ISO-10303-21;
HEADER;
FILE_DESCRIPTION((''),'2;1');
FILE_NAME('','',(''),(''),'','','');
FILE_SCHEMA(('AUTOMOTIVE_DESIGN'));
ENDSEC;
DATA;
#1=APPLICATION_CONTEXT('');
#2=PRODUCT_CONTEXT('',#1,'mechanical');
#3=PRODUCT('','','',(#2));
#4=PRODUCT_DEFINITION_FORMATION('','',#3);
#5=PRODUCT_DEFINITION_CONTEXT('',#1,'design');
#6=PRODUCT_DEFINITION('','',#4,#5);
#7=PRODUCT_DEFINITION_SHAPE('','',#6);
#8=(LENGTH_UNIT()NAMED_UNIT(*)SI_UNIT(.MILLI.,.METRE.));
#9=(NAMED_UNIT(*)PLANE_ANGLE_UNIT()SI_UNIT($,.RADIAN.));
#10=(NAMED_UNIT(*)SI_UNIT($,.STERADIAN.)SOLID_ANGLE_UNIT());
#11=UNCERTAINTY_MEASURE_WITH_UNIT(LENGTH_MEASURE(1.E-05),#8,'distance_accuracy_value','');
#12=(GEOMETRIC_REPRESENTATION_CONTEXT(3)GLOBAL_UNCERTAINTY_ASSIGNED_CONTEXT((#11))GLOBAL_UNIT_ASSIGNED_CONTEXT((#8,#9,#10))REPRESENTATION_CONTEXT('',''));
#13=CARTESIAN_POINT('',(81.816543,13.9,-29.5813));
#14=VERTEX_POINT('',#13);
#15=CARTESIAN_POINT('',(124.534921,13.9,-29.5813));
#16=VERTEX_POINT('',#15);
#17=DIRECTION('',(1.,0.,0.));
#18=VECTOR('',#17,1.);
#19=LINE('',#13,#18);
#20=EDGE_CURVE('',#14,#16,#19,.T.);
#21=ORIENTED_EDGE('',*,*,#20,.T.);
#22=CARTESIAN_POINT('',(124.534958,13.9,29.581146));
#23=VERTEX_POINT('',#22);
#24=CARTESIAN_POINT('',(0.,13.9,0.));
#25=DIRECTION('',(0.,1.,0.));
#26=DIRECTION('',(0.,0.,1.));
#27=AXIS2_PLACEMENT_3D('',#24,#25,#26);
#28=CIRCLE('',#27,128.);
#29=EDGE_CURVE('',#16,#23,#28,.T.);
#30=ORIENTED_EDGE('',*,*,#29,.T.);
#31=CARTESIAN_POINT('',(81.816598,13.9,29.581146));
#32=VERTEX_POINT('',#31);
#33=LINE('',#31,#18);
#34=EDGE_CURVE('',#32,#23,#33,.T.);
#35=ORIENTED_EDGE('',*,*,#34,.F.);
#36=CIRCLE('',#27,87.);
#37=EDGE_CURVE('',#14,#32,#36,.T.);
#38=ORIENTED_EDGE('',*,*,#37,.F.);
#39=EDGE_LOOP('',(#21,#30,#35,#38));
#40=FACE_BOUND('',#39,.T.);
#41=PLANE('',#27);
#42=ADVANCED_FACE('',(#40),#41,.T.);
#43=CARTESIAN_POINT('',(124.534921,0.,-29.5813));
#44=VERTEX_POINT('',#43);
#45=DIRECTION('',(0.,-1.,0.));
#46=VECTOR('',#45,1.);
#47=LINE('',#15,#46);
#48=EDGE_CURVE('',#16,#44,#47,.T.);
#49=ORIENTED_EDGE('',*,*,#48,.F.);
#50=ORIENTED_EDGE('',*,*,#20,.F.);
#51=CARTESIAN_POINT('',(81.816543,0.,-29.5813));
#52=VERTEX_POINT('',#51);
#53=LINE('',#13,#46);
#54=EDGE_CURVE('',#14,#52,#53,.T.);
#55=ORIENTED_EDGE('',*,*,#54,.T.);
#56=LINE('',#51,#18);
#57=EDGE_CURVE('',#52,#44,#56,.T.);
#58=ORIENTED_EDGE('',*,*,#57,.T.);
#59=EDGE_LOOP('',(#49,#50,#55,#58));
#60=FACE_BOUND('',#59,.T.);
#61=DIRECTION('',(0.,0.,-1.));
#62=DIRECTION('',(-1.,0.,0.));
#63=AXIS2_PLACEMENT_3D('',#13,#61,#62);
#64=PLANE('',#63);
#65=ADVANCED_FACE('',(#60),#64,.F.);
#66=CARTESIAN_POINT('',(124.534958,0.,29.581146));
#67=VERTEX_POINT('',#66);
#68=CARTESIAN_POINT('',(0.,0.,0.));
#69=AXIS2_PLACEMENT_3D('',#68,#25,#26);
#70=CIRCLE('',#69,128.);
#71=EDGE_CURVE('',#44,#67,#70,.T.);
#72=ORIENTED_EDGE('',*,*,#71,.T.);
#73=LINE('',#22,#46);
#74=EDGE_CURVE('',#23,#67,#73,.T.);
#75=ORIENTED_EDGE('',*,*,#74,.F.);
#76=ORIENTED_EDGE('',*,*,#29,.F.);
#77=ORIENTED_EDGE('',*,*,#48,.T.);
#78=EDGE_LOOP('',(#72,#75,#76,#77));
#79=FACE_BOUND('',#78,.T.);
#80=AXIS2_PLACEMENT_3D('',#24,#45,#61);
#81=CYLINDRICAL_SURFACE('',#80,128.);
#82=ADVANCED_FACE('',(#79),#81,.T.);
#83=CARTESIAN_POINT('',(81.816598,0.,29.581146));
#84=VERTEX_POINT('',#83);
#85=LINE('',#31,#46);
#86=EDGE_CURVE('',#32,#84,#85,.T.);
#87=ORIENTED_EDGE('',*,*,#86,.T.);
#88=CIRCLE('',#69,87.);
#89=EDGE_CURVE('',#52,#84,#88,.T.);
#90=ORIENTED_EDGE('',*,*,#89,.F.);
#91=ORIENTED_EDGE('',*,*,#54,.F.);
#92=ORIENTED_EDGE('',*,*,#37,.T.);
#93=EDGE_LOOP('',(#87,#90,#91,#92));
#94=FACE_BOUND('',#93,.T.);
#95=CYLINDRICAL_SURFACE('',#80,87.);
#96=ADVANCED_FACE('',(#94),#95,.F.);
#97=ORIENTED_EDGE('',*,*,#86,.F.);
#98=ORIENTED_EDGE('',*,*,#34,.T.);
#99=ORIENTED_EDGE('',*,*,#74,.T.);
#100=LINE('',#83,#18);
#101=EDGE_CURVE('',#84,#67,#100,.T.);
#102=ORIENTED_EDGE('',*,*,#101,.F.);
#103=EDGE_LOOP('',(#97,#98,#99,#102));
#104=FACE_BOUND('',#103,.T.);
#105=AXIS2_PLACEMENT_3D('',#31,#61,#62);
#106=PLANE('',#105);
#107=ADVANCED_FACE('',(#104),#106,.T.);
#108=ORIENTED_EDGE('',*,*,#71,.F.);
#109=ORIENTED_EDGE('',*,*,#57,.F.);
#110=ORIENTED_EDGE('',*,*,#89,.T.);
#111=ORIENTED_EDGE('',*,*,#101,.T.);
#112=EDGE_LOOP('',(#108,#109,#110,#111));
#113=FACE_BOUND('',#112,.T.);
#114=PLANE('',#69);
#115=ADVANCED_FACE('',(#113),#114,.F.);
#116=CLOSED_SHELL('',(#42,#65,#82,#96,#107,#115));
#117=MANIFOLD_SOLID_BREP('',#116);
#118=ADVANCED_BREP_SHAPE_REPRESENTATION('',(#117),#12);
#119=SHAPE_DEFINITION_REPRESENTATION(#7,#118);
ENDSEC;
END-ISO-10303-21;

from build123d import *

# Parameters (mm, degrees)
BOSS_EXTRUDE2_DEPTH = 13.9


with BuildPart() as part:
    # Sketch1 → Boss-Extrude2 (new body)
    with BuildSketch(Plane(origin=(0, 0, 0), x_dir=(1, 0, 0), z_dir=(0, 1, 0))):
        with BuildLine():
            Line((81.816598446, -29.581146338), (124.534958069, -29.581146338))
            ThreePointArc((124.534958069, -29.581146338), (-128, -7.9131e-05), (124.534921494, 29.581300316))
            Line((124.534921494, 29.581300316), (81.816542775, 29.581300316))
            ThreePointArc((81.816542775, 29.581300316), (-87, -8.1866e-05), (81.816598446, -29.581146338))
        make_face()
    extrude(amount=BOSS_EXTRUDE2_DEPTH)


solid = part.part
